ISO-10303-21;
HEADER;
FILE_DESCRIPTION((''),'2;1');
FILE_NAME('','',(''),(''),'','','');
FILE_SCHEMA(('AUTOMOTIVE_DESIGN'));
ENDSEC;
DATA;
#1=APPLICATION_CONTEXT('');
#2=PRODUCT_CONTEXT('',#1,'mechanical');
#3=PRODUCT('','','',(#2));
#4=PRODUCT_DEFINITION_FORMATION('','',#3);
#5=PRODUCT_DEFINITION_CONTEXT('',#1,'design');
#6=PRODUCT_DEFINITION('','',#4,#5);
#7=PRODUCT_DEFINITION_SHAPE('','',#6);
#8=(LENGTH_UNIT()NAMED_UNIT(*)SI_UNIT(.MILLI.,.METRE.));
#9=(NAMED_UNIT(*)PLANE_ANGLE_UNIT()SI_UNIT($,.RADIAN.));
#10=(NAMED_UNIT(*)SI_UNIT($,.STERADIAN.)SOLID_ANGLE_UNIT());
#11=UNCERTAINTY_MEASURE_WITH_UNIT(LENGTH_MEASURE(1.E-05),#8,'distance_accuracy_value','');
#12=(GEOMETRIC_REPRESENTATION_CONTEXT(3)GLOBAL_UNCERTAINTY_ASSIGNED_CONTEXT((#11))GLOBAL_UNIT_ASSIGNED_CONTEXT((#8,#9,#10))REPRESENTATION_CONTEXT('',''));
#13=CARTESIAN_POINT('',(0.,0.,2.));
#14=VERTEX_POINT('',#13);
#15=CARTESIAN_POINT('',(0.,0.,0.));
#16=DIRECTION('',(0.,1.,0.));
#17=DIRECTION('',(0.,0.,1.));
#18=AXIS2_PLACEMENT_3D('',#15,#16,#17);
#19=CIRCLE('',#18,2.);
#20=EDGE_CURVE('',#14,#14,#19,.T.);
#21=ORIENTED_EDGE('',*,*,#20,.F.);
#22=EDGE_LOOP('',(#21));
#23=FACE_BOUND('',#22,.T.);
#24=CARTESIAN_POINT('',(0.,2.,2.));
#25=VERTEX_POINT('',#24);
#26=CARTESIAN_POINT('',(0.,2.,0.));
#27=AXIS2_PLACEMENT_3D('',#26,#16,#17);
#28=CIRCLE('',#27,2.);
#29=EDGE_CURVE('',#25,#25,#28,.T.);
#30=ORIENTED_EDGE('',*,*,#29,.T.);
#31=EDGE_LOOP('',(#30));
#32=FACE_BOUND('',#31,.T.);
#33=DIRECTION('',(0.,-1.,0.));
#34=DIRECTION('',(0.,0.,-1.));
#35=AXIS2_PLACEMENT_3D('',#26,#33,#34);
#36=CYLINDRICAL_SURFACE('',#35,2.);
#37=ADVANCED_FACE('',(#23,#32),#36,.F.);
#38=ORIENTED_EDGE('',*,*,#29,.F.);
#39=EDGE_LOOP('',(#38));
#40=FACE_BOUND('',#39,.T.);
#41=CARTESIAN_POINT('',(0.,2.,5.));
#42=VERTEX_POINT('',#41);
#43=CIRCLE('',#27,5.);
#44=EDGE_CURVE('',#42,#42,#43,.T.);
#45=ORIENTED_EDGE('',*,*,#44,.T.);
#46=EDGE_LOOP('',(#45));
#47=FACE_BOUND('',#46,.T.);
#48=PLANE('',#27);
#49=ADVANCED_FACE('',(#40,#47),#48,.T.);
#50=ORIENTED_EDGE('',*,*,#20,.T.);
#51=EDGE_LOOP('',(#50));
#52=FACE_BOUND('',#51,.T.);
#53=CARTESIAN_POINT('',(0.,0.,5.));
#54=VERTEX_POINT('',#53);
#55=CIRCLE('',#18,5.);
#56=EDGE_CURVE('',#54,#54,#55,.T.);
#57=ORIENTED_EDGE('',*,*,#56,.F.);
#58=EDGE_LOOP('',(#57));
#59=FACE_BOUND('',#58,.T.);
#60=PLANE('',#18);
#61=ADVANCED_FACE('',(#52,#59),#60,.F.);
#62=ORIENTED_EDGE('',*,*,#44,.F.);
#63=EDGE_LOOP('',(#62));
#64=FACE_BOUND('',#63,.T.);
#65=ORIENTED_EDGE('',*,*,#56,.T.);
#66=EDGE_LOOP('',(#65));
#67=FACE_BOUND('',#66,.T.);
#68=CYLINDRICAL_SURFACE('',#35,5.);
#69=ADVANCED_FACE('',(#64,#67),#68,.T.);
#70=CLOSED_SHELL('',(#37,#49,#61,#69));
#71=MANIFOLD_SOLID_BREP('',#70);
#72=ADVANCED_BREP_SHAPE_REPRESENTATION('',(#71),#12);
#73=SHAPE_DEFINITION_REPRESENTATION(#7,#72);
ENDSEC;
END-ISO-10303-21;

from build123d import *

# Parameters (mm, degrees)
SKETCH_1_R      = 5
SKETCH_1_R_2    = 2
EXTRUDE_1_DEPTH = 2


with BuildPart() as part:
    # 草图1 → 凸台-拉伸1 (new body)
    with BuildSketch(Plane(origin=(0, 0, 0), x_dir=(1, 0, 0), z_dir=(0, 1, 0))):
        Circle(SKETCH_1_R)
        Circle(SKETCH_1_R_2, mode=Mode.SUBTRACT)
    extrude(amount=EXTRUDE_1_DEPTH)


solid = part.part
